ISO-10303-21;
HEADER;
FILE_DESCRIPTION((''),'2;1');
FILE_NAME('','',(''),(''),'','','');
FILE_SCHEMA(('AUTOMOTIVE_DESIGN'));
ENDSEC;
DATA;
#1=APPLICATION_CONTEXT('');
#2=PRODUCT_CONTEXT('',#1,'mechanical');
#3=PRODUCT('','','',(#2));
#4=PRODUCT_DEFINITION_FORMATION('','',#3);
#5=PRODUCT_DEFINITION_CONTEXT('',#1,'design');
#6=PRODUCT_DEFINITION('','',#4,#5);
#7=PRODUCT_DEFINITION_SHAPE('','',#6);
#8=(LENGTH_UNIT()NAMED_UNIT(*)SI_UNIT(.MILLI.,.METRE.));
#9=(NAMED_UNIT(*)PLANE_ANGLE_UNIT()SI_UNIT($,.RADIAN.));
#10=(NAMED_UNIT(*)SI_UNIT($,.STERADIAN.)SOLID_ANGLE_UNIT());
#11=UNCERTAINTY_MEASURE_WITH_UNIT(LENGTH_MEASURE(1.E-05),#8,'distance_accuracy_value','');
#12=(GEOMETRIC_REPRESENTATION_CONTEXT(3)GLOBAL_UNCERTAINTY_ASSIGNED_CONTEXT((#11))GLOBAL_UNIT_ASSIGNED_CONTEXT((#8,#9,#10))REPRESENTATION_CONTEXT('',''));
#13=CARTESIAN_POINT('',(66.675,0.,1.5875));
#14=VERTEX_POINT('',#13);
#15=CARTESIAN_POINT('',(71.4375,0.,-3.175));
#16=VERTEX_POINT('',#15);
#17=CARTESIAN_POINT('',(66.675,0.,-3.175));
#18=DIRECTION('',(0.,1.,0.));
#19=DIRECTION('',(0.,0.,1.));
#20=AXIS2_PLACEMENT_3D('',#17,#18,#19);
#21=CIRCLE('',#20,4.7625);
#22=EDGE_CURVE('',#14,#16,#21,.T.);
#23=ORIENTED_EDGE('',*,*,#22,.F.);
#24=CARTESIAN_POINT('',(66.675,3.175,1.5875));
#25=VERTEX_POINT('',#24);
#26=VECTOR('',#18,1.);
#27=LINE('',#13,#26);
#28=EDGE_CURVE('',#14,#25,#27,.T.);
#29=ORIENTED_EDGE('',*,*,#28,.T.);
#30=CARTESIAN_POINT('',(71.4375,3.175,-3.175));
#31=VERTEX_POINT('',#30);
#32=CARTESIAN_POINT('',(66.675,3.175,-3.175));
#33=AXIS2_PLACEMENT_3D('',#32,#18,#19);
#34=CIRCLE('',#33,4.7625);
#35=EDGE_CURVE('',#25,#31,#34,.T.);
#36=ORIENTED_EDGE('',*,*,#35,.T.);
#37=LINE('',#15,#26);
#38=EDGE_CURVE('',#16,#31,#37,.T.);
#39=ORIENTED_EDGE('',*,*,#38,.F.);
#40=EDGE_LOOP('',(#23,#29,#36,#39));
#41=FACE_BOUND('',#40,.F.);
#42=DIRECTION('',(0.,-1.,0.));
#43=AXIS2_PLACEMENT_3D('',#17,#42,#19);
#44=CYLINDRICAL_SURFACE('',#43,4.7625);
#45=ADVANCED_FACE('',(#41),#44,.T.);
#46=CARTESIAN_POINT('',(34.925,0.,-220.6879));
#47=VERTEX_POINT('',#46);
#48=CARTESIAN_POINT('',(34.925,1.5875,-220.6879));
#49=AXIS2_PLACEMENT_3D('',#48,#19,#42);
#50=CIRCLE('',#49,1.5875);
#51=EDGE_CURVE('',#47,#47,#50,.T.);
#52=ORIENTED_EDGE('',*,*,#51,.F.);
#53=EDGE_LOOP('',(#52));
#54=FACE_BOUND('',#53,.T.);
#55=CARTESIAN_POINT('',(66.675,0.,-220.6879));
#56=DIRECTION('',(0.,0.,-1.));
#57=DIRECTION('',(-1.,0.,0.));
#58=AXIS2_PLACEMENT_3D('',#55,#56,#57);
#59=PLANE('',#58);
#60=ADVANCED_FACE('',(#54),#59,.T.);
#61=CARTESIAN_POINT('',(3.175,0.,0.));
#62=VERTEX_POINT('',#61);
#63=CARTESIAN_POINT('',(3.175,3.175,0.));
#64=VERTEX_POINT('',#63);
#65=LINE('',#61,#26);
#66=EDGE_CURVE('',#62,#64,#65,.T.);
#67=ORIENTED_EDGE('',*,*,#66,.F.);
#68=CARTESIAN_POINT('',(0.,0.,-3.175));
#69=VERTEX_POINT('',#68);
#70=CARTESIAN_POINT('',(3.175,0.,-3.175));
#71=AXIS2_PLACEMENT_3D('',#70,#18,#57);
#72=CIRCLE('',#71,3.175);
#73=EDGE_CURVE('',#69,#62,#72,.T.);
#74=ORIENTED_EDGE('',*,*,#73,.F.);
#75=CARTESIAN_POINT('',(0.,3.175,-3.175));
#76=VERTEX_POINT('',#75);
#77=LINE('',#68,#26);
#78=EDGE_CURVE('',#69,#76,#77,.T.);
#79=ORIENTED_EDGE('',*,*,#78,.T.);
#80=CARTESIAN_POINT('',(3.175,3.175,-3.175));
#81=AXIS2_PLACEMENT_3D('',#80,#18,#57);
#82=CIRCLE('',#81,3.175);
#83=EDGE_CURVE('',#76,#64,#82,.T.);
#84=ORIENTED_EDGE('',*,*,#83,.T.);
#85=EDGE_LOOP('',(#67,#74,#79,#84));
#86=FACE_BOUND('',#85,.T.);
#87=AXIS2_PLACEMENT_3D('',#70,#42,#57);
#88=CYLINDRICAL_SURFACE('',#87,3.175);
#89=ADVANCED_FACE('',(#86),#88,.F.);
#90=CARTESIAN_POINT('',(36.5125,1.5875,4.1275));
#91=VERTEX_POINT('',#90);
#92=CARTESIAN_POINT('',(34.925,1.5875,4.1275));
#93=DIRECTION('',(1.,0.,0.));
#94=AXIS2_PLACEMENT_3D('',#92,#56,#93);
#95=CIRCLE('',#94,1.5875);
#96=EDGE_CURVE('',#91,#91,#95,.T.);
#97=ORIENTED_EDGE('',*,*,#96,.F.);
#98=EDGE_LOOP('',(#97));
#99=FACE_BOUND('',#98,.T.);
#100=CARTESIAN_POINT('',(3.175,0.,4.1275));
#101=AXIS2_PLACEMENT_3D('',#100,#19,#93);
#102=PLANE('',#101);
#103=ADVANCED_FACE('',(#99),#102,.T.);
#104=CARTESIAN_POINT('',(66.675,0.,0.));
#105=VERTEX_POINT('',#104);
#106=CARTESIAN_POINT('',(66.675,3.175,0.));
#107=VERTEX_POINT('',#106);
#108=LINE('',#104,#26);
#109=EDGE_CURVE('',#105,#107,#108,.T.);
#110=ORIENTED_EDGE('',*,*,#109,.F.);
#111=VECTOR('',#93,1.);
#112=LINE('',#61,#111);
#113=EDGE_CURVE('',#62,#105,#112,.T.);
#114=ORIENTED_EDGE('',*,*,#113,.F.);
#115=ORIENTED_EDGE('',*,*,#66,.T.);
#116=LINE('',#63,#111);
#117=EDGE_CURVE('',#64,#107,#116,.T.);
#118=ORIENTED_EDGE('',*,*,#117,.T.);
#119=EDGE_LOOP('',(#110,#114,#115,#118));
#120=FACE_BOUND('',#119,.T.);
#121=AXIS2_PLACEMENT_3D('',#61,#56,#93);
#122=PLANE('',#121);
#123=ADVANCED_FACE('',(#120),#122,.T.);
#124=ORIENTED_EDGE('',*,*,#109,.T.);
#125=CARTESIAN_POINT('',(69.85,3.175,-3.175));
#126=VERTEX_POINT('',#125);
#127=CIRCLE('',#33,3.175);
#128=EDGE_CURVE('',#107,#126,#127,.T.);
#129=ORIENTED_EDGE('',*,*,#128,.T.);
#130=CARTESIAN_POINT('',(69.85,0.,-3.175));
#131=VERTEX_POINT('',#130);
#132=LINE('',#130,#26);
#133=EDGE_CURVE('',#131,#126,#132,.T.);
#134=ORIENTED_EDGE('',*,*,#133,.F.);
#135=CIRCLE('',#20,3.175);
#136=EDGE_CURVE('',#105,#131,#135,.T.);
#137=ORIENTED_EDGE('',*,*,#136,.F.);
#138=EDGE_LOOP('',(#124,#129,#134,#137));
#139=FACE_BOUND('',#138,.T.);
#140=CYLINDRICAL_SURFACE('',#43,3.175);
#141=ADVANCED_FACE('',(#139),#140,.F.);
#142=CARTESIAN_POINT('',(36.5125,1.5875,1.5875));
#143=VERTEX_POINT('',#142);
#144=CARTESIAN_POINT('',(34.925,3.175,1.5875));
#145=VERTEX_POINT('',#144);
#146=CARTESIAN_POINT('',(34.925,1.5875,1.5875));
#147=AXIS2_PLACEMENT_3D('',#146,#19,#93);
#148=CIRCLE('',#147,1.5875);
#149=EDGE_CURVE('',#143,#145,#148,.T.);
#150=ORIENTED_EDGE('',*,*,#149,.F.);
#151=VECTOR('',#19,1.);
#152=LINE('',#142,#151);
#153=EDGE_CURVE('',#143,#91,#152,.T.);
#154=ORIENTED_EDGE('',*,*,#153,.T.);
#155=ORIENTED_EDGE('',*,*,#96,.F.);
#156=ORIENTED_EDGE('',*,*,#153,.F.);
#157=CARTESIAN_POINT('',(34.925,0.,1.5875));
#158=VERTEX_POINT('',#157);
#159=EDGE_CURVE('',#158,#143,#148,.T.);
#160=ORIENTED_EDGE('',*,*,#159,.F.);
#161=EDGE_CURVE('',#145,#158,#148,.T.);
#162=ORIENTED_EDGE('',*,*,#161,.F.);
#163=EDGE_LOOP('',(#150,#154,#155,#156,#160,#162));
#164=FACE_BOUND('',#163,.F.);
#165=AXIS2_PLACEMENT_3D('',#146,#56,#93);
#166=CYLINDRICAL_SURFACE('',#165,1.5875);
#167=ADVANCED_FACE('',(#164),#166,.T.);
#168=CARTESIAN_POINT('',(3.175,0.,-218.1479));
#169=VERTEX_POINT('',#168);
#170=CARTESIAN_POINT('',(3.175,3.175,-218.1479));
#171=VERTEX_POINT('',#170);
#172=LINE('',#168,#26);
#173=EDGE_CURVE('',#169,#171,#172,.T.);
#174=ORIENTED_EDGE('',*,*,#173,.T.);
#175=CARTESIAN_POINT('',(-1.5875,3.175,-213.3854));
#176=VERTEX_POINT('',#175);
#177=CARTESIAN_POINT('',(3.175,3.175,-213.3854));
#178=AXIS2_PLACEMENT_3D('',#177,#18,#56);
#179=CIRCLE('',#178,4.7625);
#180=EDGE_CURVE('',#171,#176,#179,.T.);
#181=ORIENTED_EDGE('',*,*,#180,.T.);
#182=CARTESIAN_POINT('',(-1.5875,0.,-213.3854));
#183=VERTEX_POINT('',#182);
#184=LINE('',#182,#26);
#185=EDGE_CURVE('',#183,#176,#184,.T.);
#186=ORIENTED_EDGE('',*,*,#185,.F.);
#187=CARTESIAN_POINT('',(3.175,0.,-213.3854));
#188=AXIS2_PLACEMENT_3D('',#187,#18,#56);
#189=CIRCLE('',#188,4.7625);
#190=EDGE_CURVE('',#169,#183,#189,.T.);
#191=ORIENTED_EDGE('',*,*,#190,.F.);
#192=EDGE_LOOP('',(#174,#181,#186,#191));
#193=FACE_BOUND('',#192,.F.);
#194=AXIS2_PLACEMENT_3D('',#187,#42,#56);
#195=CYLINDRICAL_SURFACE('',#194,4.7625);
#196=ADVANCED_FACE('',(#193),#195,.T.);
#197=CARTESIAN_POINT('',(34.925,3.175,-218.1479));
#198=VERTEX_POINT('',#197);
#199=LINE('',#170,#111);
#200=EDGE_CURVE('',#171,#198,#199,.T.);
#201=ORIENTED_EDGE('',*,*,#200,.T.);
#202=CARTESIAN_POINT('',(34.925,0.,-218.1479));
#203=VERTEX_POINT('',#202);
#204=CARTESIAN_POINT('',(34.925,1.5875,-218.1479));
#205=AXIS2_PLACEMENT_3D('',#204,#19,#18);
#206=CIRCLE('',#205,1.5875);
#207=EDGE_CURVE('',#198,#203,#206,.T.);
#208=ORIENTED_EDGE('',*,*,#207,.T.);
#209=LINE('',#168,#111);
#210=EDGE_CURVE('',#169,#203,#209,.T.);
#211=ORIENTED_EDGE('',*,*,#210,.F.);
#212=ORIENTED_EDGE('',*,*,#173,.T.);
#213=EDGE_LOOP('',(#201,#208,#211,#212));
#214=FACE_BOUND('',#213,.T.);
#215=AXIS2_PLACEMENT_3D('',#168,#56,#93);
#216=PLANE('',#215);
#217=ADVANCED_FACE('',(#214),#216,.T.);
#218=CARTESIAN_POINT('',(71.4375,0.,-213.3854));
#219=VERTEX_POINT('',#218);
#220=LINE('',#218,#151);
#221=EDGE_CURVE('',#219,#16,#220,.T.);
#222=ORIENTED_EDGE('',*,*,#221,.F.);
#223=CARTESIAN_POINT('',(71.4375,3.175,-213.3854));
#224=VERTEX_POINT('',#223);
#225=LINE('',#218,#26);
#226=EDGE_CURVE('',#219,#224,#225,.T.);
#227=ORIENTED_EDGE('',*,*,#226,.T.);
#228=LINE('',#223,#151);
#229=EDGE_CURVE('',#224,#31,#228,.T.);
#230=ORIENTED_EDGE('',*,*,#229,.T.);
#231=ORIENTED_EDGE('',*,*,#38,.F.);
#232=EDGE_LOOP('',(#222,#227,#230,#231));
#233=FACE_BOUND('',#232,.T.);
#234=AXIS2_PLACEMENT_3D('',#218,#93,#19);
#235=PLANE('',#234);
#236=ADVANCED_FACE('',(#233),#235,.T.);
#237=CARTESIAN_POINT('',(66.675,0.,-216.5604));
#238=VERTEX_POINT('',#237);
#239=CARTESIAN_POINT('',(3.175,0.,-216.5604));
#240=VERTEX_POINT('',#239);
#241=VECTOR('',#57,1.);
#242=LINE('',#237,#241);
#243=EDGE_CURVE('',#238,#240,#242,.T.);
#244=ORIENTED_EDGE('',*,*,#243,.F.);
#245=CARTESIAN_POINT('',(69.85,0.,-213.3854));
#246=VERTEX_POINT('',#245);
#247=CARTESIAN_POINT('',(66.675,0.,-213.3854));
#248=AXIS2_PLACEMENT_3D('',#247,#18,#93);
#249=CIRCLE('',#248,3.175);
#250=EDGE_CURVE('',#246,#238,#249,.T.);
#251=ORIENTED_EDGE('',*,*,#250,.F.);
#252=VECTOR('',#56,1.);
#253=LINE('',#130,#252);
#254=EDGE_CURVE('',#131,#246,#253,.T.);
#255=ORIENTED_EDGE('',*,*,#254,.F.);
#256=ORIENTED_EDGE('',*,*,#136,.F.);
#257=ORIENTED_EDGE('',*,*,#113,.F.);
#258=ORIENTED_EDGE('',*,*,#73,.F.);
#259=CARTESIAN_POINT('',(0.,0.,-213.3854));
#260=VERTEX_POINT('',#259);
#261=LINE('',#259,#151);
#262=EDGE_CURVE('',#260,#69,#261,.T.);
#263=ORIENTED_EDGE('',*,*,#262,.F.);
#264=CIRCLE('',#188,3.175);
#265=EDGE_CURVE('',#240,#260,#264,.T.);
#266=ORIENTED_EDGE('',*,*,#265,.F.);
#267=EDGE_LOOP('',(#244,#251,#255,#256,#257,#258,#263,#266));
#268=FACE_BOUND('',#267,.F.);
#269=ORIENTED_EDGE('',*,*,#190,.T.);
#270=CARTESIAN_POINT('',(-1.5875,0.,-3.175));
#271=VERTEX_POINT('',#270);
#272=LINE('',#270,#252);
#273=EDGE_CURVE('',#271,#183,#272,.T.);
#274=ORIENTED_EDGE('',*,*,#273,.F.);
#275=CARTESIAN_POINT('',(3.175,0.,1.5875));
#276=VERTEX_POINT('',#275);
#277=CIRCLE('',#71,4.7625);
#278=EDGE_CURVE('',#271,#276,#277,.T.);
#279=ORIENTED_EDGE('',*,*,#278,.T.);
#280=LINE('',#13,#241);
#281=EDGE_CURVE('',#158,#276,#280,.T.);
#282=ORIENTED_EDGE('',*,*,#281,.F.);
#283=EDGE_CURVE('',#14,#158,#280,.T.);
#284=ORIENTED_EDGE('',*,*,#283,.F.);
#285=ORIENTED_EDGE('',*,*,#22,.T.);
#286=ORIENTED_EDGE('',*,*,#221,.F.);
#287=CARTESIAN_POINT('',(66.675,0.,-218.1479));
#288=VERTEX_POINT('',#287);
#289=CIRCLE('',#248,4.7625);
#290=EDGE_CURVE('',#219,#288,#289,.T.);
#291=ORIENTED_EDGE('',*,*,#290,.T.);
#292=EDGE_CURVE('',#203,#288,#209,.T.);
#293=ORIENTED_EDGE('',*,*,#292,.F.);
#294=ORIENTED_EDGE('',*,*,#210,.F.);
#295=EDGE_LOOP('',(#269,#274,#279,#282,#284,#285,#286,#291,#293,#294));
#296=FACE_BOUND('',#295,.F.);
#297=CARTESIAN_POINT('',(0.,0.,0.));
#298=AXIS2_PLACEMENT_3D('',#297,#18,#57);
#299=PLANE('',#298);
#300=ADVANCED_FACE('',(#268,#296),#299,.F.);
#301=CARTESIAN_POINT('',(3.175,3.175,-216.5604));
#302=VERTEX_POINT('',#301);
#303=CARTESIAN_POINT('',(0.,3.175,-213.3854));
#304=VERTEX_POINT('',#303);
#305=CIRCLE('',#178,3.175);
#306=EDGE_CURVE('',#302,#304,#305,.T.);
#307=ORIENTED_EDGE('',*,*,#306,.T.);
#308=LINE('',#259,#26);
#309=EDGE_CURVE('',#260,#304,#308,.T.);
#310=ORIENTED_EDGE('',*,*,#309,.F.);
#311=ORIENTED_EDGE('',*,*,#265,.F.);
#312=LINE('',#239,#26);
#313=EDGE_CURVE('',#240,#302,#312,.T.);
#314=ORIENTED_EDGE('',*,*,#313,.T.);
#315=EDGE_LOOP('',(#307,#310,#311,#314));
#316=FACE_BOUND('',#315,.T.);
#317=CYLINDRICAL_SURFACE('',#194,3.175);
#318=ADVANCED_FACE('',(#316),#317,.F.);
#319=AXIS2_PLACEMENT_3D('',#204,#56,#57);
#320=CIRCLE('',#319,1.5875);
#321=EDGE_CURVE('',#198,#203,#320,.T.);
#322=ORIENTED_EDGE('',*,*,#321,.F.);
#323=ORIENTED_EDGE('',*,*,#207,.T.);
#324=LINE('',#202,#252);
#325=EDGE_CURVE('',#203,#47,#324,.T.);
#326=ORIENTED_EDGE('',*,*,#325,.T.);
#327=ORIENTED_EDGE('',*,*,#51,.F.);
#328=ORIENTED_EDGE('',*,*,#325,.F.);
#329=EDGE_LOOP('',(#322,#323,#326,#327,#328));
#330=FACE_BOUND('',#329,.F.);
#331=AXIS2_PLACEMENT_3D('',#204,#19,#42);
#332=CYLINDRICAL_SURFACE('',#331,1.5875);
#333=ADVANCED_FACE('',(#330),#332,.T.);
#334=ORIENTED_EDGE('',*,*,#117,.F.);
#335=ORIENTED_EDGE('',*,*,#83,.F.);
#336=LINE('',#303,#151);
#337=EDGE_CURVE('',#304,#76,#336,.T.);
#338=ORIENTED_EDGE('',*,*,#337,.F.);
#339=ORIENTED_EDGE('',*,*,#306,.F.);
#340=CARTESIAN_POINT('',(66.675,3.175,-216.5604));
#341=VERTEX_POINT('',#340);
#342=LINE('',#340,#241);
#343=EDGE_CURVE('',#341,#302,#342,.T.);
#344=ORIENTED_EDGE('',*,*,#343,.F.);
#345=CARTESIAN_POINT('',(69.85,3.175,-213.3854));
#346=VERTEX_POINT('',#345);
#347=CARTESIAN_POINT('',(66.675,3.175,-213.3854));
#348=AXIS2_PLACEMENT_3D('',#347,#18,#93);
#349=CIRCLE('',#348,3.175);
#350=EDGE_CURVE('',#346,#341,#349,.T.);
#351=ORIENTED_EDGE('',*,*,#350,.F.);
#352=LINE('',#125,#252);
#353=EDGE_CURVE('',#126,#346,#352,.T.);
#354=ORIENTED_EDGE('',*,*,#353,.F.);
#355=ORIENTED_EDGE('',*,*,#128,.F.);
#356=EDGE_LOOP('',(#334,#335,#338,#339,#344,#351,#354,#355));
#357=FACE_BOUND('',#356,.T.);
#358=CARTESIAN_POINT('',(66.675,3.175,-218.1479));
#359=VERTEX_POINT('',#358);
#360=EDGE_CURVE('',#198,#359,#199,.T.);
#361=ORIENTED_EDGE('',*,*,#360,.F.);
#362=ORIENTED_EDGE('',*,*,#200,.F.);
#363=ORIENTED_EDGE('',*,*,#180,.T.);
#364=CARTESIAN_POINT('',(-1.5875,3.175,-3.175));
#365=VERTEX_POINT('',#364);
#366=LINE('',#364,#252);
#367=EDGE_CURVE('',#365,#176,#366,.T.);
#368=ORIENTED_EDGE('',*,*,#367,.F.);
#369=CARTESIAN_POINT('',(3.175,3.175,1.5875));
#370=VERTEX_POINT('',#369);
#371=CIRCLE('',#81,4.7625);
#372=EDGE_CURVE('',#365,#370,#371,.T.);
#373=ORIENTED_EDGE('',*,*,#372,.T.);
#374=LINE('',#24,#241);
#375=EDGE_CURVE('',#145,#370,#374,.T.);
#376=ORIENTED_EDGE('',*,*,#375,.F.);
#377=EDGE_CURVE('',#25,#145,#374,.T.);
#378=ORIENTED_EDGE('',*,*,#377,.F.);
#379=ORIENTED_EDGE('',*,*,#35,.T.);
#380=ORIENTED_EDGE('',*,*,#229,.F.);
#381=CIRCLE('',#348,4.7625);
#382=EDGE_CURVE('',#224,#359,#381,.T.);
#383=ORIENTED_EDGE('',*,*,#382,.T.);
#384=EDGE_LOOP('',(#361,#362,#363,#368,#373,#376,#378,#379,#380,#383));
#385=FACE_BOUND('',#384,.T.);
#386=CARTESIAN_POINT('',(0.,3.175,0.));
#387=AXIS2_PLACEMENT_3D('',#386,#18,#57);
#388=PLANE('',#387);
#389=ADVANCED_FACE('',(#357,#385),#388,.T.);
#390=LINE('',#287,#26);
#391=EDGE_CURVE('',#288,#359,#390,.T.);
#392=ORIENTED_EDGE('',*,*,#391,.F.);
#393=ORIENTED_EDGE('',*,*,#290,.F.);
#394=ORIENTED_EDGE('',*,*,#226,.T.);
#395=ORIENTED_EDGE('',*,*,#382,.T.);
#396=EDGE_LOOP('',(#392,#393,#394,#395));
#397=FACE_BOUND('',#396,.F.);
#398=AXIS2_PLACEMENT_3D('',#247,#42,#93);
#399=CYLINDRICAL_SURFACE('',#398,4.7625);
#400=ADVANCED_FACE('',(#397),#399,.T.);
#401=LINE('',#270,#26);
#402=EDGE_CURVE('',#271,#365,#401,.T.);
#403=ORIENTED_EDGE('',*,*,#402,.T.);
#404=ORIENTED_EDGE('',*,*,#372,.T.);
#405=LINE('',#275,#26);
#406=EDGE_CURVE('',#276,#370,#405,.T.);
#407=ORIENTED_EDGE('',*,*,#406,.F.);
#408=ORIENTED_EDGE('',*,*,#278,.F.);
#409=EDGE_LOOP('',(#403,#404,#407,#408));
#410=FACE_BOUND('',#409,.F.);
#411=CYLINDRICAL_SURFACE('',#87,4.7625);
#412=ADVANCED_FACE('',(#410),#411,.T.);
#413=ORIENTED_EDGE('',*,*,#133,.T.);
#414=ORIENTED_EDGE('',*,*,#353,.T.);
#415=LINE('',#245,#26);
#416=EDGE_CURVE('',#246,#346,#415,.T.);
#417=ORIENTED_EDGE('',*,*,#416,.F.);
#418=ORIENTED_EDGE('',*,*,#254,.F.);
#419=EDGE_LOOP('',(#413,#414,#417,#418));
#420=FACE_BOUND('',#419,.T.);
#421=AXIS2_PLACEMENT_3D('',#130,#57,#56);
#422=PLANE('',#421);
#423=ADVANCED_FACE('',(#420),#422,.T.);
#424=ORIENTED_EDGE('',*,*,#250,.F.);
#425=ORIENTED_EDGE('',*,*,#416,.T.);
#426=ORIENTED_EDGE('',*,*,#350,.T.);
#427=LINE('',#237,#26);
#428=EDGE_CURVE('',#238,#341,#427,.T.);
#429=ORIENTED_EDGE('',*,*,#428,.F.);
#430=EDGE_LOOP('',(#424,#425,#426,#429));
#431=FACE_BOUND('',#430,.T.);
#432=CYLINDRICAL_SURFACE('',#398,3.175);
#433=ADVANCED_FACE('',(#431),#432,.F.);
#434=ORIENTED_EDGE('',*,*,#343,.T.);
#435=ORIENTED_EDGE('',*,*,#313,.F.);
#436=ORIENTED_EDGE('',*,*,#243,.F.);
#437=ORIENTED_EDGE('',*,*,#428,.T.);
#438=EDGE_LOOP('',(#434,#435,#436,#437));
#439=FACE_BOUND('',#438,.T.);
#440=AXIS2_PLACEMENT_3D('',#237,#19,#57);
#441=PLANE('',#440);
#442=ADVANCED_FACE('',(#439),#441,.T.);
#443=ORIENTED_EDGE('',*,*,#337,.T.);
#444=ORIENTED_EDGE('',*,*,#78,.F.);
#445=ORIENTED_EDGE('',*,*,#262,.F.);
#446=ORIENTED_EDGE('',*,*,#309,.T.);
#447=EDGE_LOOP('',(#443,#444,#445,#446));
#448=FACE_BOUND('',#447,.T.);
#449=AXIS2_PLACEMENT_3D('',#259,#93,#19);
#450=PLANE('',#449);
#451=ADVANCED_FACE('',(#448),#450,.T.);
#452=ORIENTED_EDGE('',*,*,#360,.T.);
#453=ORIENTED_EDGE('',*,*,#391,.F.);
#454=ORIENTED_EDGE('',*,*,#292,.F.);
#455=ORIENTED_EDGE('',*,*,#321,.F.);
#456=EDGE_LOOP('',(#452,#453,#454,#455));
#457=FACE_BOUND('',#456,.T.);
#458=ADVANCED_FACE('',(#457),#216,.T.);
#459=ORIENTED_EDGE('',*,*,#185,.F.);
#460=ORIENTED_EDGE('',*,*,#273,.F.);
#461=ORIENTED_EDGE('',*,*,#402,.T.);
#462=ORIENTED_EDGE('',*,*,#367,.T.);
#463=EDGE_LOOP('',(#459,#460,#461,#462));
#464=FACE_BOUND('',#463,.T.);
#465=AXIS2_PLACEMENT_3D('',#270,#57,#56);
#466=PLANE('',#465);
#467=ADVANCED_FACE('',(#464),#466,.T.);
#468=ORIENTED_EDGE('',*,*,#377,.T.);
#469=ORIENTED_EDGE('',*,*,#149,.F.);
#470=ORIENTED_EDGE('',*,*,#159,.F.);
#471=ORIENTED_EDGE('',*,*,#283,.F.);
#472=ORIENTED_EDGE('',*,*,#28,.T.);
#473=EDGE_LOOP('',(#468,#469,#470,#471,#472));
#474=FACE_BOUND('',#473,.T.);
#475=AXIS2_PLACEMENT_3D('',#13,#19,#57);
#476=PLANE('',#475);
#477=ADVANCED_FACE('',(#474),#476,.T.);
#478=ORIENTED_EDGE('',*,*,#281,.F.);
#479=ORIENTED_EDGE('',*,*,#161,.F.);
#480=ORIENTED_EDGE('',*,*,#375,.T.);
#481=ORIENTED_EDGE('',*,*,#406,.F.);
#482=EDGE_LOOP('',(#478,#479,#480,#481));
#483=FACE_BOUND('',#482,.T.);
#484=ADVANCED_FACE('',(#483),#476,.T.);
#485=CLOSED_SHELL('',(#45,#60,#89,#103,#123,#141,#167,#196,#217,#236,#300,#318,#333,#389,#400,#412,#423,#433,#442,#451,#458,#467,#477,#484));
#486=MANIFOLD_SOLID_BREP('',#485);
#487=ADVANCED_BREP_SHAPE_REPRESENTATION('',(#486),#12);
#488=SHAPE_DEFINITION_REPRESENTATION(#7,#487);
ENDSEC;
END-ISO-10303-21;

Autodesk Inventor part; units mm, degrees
ref_plane "YZ Plane" through (0, 0, 0) normal (1, 0, 0) x (0, 1, 0)
ref_plane "XZ Plane" through (0, 0, 0) normal (0, 1, 0) x (-1, 0, 0)
ref_plane "XY Plane" through (0, 0, 0) normal (0, 0, 1) x (1, 0, 0)
sketch "Sketch1" plane through (0, 0, 0) normal (0, 1, 0) x (-1, 0, 0)
  line L0 (-3.175, 0) -> (-66.675, 0)
  line L1 (-69.85, -3.175) -> (-69.85, -213.3854)
  line L2 (-66.675, -216.5604) -> (-3.175, -216.5604)
  line L3 (0, -213.3854) -> (0, -3.175)
  arc A0 (0, -3.175) -> (-3.175, 0) centre (-3.175, -3.175) ccw
  arc A1 (-66.675, 0) -> (-69.85, -3.175) centre (-66.675, -3.175) ccw
  arc A2 (-69.85, -213.3854) -> (-66.675, -216.5604) centre (-66.675, -213.3854) ccw
  arc A3 (-3.175, -216.5604) -> (0, -213.3854) centre (-3.175, -213.3854) ccw
  line L4 (1.5875, -3.175) -> (1.5875, -213.3854)
  arc A4 (-3.175, -218.1479) -> (1.5875, -213.3854) centre (-3.175, -213.3854) ccw
  line L5 (-3.175, -218.1479) -> (-66.675, -218.1479)
  arc A5 (-71.4375, -213.3854) -> (-66.675, -218.1479) centre (-66.675, -213.3854) ccw
  line L6 (-71.4375, -213.3854) -> (-71.4375, -3.175)
  arc A6 (-66.675, 1.5875) -> (-71.4375, -3.175) centre (-66.675, -3.175) ccw
  line L7 (-66.675, 1.5875) -> (-3.175, 1.5875)
  arc A7 (1.5875, -3.175) -> (-3.175, 1.5875) centre (-3.175, -3.175) ccw
  point P0 (0, 0)
  point P1 (-69.85, -216.5604)
  point P2 (-69.85, 0)
  point P3 (0, -216.5604)
  dimension "d0" = 69.85
  dimension "d1" = 216.5604
  dimension "d2" = 3.175
extrude "Extrusion2" add sketch "Sketch1" along normal blind 3.175
sketch "Sketch4" plane through (3.175, 0, 1.5875) normal (0, 0, 1) x (1, 0, 0)
  circle A0 centre (31.75, 1.5875) radius 1.5875
  line L0 (0, 0) -> (0, 3.175) projected
  line L1 (0, 0) -> (63.5, 0) projected
  point P0 (-3.175, 0)
  dimension "d11" = 3.175
  dimension "d12" = 31.75
  dimension "d13" = 1.5875
extrude "Extrusion3" add sketch "Sketch4" along normal blind 2.54
sketch "Sketch5" plane through (66.675, 0, -218.1479) normal (0, 0, -1) x (-1, 0, 0)
  arc A0 (31.75, 0) -> (31.75, 3.175) centre (31.75, 1.5875) ccw projected
  circle A1 centre (31.75, 1.5875) radius 1.5875
  point P0 (66.675, 0)
  point P1 (31.75, 3.175)
  point P2 (31.75, 0)
extrude "Extrusion4" add sketch "Sketch5" along normal blind 2.54
properties part number "30t_8.5_in"
